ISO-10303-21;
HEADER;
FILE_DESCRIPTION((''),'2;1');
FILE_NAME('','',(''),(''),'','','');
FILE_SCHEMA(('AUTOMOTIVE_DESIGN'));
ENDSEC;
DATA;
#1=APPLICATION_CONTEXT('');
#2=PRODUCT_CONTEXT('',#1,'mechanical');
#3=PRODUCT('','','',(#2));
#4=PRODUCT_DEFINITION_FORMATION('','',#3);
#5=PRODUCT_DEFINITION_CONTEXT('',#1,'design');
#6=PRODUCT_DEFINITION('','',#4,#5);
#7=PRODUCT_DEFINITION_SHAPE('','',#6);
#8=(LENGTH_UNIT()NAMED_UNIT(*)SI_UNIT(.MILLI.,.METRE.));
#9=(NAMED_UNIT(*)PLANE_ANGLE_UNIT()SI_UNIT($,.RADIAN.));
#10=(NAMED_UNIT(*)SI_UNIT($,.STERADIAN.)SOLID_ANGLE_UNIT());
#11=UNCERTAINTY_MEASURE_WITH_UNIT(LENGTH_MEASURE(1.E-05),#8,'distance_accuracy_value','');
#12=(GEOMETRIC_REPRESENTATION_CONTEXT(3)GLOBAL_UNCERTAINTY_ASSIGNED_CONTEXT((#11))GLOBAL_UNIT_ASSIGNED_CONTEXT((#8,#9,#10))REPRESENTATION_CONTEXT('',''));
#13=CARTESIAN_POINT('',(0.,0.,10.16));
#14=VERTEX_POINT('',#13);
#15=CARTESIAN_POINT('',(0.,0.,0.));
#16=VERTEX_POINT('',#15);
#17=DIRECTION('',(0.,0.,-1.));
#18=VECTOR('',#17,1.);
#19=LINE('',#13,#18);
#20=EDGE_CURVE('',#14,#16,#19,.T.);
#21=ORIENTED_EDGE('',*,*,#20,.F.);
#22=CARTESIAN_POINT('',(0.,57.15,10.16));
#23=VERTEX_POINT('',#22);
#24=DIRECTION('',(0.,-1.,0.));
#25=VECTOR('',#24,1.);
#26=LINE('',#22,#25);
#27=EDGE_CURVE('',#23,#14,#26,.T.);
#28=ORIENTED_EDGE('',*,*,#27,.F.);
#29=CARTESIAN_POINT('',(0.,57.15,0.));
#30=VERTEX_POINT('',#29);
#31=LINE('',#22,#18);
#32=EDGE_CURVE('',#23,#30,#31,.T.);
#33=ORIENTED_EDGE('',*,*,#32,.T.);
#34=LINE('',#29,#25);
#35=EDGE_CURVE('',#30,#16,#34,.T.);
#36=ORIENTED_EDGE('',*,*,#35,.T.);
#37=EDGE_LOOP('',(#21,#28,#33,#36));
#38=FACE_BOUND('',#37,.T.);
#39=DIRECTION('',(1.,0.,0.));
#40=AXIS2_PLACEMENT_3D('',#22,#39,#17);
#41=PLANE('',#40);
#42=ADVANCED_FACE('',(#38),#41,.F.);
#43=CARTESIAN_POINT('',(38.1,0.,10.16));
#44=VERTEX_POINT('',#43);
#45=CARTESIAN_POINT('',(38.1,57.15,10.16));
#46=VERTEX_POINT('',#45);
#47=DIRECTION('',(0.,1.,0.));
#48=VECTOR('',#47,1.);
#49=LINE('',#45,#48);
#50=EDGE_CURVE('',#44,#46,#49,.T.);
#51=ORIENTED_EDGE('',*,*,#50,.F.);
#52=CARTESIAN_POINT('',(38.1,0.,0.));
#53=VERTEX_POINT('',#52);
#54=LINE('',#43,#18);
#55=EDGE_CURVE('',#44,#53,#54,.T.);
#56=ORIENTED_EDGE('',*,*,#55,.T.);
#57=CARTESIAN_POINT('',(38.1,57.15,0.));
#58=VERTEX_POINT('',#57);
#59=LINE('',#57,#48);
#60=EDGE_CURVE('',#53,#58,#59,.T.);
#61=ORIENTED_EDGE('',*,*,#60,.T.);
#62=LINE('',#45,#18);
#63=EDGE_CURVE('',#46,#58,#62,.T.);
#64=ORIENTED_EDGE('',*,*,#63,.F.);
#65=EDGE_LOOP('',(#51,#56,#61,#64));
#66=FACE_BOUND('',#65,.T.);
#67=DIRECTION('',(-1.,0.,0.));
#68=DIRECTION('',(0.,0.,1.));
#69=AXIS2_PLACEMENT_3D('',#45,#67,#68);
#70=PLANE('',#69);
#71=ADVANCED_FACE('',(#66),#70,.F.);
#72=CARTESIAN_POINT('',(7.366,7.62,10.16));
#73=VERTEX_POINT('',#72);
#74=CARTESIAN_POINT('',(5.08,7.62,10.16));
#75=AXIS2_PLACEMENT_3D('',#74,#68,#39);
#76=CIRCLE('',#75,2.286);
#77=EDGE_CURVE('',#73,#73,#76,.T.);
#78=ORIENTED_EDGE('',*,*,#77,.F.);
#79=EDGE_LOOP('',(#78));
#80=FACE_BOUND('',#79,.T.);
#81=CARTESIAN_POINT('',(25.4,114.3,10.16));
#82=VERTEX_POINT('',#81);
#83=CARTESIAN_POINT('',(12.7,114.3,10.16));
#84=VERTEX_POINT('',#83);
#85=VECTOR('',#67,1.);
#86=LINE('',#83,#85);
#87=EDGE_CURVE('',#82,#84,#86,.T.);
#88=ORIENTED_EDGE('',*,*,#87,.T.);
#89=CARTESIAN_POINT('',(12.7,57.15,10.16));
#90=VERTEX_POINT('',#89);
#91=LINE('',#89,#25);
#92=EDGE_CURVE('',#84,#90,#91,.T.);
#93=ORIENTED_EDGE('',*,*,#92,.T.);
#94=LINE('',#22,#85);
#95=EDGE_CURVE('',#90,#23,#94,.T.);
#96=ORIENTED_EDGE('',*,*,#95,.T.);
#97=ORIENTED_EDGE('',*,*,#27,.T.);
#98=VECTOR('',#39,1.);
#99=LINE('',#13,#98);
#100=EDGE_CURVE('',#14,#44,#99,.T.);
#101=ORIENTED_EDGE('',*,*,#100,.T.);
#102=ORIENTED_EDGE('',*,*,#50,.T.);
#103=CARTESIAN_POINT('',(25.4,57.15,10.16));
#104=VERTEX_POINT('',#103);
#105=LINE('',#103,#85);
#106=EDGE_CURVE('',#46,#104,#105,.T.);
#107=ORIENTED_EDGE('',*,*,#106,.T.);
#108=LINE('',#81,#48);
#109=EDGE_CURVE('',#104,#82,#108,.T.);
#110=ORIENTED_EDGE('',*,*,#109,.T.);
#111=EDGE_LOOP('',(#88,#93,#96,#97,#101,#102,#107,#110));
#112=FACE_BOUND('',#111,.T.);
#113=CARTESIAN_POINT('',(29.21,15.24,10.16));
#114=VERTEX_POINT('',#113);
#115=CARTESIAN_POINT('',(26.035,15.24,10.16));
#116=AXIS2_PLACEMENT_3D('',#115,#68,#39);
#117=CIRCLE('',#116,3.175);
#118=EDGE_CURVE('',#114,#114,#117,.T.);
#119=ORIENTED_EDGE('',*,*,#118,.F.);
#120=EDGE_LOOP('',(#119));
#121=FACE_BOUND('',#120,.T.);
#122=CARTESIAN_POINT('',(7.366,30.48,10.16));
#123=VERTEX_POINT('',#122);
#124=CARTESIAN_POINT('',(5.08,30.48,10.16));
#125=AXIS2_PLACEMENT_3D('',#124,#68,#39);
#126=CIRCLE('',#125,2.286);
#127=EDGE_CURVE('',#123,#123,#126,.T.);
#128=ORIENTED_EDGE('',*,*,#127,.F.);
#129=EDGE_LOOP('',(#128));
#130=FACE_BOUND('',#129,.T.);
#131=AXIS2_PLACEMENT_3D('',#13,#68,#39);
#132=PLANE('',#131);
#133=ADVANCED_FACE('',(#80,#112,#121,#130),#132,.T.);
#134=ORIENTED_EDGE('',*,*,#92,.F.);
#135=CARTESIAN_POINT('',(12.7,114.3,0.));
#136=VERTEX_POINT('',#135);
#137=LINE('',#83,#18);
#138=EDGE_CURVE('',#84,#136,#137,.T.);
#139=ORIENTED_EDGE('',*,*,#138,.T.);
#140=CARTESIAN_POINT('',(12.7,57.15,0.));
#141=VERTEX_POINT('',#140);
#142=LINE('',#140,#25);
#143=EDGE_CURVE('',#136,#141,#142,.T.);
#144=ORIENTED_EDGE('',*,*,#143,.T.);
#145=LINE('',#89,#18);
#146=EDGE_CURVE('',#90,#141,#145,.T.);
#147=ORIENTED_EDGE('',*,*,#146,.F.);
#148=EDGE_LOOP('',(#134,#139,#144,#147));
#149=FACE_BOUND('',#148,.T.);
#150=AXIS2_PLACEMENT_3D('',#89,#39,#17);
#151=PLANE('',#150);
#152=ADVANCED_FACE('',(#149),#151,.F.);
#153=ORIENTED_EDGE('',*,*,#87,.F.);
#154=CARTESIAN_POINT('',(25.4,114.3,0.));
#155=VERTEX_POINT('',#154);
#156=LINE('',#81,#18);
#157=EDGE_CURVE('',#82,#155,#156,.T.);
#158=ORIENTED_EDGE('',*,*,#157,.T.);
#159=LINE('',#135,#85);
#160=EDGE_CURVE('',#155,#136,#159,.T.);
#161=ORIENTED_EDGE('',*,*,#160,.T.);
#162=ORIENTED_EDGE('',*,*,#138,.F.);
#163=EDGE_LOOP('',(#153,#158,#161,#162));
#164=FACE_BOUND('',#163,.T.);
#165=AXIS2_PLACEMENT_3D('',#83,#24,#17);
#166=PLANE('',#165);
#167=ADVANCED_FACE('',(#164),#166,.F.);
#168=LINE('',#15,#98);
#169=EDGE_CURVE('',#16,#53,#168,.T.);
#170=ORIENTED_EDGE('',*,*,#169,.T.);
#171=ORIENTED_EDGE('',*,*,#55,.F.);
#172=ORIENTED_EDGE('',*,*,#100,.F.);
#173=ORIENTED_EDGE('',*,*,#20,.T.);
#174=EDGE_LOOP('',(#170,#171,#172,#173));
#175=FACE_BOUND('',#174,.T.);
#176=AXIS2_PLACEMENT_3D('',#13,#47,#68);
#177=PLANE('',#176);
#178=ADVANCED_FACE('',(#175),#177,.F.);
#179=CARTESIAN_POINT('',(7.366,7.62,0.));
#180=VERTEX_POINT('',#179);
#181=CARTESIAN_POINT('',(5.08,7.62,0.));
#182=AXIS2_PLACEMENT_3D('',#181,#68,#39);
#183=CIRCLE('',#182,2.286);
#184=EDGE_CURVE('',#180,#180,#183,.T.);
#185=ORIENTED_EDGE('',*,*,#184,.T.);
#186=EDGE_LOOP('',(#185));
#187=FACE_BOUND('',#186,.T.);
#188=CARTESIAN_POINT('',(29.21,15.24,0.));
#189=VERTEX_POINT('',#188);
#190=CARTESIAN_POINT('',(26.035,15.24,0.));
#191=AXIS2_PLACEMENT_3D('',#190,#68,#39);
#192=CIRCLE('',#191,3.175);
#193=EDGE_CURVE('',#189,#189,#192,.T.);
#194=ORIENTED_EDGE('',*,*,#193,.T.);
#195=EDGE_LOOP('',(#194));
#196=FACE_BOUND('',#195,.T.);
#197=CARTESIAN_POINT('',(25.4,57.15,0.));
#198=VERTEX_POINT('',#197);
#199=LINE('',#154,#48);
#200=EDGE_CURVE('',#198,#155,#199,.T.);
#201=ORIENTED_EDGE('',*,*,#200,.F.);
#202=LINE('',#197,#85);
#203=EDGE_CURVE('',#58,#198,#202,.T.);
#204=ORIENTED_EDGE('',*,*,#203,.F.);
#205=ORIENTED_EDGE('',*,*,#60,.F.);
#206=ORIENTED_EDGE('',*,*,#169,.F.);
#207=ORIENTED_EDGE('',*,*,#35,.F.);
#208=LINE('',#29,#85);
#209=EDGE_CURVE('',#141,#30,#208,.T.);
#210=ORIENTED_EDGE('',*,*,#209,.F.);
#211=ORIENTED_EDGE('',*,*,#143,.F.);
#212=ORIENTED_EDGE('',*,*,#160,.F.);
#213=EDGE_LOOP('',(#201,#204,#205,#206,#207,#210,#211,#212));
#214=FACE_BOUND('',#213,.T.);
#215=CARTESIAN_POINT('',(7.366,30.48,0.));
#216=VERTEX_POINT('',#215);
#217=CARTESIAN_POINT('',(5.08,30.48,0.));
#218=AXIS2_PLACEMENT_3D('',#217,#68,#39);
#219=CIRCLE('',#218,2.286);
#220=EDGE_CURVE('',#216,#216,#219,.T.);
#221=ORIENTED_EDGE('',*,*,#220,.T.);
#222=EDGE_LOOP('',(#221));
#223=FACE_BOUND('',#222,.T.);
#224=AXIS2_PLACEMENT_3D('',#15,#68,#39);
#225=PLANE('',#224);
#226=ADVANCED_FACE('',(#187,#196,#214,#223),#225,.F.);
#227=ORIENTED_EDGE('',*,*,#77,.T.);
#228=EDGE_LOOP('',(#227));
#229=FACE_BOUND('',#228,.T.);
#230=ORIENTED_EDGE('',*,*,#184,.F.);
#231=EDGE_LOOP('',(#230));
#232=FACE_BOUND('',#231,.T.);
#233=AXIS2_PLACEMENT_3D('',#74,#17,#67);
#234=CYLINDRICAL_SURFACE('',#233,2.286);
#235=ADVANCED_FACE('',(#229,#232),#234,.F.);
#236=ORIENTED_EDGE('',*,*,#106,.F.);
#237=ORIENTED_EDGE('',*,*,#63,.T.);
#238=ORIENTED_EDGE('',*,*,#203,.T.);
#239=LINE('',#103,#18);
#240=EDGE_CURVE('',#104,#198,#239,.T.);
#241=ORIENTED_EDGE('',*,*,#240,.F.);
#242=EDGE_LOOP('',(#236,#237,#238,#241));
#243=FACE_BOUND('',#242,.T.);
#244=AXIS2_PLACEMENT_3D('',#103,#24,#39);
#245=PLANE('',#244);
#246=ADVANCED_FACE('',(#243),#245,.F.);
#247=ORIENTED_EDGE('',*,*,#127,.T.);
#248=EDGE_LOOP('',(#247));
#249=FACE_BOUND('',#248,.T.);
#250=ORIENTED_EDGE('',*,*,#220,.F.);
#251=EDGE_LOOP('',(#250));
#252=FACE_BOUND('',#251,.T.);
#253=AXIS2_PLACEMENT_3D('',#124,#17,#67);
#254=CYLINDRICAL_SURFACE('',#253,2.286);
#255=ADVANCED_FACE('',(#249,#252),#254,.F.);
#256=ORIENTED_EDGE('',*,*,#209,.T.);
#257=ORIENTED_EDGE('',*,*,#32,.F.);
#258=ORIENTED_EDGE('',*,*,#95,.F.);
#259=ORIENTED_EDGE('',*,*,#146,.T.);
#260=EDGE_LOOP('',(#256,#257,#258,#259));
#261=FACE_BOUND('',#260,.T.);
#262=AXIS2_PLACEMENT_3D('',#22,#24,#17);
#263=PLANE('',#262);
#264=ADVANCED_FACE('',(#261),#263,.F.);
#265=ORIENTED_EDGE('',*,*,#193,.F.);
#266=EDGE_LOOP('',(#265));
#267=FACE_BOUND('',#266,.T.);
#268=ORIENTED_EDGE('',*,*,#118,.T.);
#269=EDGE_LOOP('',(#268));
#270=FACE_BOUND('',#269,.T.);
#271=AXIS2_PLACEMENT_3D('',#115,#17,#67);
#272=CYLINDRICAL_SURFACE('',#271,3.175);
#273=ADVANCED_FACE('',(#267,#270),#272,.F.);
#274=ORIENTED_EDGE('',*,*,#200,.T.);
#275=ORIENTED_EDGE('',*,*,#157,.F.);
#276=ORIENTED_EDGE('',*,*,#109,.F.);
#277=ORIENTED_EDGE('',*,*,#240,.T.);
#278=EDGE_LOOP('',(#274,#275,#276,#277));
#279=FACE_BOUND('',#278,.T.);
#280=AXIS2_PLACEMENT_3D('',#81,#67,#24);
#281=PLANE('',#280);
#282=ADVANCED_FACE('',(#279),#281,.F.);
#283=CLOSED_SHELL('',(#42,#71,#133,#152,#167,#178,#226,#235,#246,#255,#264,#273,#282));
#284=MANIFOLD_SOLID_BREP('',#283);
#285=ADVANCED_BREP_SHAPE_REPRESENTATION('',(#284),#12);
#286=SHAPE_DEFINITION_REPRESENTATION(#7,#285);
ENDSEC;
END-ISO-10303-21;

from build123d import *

# Parameters (mm, degrees)
SKETCH1_R           = 2.286
SKETCH1_R_2         = 3.175
BOSS_EXTRUDE1_DEPTH = 10.16


with BuildPart() as part:
    # Sketch1 → Boss-Extrude1 (new body)
    with BuildSketch(Plane.XY):
        Polygon((0, 57.15), (12.7, 57.15), (12.7, 114.3), (25.4, 114.3), (25.4, 57.15), (38.1, 57.15), (38.1, 0), (0, 0), align=None)
        with Locations((5.08, 7.62)):
            Circle(SKETCH1_R, mode=Mode.SUBTRACT)
        with Locations((5.08, 30.48)):
            Circle(SKETCH1_R, mode=Mode.SUBTRACT)
        with Locations((26.035, 15.24)):
            Circle(SKETCH1_R_2, mode=Mode.SUBTRACT)
    extrude(amount=BOSS_EXTRUDE1_DEPTH)


solid = part.part
